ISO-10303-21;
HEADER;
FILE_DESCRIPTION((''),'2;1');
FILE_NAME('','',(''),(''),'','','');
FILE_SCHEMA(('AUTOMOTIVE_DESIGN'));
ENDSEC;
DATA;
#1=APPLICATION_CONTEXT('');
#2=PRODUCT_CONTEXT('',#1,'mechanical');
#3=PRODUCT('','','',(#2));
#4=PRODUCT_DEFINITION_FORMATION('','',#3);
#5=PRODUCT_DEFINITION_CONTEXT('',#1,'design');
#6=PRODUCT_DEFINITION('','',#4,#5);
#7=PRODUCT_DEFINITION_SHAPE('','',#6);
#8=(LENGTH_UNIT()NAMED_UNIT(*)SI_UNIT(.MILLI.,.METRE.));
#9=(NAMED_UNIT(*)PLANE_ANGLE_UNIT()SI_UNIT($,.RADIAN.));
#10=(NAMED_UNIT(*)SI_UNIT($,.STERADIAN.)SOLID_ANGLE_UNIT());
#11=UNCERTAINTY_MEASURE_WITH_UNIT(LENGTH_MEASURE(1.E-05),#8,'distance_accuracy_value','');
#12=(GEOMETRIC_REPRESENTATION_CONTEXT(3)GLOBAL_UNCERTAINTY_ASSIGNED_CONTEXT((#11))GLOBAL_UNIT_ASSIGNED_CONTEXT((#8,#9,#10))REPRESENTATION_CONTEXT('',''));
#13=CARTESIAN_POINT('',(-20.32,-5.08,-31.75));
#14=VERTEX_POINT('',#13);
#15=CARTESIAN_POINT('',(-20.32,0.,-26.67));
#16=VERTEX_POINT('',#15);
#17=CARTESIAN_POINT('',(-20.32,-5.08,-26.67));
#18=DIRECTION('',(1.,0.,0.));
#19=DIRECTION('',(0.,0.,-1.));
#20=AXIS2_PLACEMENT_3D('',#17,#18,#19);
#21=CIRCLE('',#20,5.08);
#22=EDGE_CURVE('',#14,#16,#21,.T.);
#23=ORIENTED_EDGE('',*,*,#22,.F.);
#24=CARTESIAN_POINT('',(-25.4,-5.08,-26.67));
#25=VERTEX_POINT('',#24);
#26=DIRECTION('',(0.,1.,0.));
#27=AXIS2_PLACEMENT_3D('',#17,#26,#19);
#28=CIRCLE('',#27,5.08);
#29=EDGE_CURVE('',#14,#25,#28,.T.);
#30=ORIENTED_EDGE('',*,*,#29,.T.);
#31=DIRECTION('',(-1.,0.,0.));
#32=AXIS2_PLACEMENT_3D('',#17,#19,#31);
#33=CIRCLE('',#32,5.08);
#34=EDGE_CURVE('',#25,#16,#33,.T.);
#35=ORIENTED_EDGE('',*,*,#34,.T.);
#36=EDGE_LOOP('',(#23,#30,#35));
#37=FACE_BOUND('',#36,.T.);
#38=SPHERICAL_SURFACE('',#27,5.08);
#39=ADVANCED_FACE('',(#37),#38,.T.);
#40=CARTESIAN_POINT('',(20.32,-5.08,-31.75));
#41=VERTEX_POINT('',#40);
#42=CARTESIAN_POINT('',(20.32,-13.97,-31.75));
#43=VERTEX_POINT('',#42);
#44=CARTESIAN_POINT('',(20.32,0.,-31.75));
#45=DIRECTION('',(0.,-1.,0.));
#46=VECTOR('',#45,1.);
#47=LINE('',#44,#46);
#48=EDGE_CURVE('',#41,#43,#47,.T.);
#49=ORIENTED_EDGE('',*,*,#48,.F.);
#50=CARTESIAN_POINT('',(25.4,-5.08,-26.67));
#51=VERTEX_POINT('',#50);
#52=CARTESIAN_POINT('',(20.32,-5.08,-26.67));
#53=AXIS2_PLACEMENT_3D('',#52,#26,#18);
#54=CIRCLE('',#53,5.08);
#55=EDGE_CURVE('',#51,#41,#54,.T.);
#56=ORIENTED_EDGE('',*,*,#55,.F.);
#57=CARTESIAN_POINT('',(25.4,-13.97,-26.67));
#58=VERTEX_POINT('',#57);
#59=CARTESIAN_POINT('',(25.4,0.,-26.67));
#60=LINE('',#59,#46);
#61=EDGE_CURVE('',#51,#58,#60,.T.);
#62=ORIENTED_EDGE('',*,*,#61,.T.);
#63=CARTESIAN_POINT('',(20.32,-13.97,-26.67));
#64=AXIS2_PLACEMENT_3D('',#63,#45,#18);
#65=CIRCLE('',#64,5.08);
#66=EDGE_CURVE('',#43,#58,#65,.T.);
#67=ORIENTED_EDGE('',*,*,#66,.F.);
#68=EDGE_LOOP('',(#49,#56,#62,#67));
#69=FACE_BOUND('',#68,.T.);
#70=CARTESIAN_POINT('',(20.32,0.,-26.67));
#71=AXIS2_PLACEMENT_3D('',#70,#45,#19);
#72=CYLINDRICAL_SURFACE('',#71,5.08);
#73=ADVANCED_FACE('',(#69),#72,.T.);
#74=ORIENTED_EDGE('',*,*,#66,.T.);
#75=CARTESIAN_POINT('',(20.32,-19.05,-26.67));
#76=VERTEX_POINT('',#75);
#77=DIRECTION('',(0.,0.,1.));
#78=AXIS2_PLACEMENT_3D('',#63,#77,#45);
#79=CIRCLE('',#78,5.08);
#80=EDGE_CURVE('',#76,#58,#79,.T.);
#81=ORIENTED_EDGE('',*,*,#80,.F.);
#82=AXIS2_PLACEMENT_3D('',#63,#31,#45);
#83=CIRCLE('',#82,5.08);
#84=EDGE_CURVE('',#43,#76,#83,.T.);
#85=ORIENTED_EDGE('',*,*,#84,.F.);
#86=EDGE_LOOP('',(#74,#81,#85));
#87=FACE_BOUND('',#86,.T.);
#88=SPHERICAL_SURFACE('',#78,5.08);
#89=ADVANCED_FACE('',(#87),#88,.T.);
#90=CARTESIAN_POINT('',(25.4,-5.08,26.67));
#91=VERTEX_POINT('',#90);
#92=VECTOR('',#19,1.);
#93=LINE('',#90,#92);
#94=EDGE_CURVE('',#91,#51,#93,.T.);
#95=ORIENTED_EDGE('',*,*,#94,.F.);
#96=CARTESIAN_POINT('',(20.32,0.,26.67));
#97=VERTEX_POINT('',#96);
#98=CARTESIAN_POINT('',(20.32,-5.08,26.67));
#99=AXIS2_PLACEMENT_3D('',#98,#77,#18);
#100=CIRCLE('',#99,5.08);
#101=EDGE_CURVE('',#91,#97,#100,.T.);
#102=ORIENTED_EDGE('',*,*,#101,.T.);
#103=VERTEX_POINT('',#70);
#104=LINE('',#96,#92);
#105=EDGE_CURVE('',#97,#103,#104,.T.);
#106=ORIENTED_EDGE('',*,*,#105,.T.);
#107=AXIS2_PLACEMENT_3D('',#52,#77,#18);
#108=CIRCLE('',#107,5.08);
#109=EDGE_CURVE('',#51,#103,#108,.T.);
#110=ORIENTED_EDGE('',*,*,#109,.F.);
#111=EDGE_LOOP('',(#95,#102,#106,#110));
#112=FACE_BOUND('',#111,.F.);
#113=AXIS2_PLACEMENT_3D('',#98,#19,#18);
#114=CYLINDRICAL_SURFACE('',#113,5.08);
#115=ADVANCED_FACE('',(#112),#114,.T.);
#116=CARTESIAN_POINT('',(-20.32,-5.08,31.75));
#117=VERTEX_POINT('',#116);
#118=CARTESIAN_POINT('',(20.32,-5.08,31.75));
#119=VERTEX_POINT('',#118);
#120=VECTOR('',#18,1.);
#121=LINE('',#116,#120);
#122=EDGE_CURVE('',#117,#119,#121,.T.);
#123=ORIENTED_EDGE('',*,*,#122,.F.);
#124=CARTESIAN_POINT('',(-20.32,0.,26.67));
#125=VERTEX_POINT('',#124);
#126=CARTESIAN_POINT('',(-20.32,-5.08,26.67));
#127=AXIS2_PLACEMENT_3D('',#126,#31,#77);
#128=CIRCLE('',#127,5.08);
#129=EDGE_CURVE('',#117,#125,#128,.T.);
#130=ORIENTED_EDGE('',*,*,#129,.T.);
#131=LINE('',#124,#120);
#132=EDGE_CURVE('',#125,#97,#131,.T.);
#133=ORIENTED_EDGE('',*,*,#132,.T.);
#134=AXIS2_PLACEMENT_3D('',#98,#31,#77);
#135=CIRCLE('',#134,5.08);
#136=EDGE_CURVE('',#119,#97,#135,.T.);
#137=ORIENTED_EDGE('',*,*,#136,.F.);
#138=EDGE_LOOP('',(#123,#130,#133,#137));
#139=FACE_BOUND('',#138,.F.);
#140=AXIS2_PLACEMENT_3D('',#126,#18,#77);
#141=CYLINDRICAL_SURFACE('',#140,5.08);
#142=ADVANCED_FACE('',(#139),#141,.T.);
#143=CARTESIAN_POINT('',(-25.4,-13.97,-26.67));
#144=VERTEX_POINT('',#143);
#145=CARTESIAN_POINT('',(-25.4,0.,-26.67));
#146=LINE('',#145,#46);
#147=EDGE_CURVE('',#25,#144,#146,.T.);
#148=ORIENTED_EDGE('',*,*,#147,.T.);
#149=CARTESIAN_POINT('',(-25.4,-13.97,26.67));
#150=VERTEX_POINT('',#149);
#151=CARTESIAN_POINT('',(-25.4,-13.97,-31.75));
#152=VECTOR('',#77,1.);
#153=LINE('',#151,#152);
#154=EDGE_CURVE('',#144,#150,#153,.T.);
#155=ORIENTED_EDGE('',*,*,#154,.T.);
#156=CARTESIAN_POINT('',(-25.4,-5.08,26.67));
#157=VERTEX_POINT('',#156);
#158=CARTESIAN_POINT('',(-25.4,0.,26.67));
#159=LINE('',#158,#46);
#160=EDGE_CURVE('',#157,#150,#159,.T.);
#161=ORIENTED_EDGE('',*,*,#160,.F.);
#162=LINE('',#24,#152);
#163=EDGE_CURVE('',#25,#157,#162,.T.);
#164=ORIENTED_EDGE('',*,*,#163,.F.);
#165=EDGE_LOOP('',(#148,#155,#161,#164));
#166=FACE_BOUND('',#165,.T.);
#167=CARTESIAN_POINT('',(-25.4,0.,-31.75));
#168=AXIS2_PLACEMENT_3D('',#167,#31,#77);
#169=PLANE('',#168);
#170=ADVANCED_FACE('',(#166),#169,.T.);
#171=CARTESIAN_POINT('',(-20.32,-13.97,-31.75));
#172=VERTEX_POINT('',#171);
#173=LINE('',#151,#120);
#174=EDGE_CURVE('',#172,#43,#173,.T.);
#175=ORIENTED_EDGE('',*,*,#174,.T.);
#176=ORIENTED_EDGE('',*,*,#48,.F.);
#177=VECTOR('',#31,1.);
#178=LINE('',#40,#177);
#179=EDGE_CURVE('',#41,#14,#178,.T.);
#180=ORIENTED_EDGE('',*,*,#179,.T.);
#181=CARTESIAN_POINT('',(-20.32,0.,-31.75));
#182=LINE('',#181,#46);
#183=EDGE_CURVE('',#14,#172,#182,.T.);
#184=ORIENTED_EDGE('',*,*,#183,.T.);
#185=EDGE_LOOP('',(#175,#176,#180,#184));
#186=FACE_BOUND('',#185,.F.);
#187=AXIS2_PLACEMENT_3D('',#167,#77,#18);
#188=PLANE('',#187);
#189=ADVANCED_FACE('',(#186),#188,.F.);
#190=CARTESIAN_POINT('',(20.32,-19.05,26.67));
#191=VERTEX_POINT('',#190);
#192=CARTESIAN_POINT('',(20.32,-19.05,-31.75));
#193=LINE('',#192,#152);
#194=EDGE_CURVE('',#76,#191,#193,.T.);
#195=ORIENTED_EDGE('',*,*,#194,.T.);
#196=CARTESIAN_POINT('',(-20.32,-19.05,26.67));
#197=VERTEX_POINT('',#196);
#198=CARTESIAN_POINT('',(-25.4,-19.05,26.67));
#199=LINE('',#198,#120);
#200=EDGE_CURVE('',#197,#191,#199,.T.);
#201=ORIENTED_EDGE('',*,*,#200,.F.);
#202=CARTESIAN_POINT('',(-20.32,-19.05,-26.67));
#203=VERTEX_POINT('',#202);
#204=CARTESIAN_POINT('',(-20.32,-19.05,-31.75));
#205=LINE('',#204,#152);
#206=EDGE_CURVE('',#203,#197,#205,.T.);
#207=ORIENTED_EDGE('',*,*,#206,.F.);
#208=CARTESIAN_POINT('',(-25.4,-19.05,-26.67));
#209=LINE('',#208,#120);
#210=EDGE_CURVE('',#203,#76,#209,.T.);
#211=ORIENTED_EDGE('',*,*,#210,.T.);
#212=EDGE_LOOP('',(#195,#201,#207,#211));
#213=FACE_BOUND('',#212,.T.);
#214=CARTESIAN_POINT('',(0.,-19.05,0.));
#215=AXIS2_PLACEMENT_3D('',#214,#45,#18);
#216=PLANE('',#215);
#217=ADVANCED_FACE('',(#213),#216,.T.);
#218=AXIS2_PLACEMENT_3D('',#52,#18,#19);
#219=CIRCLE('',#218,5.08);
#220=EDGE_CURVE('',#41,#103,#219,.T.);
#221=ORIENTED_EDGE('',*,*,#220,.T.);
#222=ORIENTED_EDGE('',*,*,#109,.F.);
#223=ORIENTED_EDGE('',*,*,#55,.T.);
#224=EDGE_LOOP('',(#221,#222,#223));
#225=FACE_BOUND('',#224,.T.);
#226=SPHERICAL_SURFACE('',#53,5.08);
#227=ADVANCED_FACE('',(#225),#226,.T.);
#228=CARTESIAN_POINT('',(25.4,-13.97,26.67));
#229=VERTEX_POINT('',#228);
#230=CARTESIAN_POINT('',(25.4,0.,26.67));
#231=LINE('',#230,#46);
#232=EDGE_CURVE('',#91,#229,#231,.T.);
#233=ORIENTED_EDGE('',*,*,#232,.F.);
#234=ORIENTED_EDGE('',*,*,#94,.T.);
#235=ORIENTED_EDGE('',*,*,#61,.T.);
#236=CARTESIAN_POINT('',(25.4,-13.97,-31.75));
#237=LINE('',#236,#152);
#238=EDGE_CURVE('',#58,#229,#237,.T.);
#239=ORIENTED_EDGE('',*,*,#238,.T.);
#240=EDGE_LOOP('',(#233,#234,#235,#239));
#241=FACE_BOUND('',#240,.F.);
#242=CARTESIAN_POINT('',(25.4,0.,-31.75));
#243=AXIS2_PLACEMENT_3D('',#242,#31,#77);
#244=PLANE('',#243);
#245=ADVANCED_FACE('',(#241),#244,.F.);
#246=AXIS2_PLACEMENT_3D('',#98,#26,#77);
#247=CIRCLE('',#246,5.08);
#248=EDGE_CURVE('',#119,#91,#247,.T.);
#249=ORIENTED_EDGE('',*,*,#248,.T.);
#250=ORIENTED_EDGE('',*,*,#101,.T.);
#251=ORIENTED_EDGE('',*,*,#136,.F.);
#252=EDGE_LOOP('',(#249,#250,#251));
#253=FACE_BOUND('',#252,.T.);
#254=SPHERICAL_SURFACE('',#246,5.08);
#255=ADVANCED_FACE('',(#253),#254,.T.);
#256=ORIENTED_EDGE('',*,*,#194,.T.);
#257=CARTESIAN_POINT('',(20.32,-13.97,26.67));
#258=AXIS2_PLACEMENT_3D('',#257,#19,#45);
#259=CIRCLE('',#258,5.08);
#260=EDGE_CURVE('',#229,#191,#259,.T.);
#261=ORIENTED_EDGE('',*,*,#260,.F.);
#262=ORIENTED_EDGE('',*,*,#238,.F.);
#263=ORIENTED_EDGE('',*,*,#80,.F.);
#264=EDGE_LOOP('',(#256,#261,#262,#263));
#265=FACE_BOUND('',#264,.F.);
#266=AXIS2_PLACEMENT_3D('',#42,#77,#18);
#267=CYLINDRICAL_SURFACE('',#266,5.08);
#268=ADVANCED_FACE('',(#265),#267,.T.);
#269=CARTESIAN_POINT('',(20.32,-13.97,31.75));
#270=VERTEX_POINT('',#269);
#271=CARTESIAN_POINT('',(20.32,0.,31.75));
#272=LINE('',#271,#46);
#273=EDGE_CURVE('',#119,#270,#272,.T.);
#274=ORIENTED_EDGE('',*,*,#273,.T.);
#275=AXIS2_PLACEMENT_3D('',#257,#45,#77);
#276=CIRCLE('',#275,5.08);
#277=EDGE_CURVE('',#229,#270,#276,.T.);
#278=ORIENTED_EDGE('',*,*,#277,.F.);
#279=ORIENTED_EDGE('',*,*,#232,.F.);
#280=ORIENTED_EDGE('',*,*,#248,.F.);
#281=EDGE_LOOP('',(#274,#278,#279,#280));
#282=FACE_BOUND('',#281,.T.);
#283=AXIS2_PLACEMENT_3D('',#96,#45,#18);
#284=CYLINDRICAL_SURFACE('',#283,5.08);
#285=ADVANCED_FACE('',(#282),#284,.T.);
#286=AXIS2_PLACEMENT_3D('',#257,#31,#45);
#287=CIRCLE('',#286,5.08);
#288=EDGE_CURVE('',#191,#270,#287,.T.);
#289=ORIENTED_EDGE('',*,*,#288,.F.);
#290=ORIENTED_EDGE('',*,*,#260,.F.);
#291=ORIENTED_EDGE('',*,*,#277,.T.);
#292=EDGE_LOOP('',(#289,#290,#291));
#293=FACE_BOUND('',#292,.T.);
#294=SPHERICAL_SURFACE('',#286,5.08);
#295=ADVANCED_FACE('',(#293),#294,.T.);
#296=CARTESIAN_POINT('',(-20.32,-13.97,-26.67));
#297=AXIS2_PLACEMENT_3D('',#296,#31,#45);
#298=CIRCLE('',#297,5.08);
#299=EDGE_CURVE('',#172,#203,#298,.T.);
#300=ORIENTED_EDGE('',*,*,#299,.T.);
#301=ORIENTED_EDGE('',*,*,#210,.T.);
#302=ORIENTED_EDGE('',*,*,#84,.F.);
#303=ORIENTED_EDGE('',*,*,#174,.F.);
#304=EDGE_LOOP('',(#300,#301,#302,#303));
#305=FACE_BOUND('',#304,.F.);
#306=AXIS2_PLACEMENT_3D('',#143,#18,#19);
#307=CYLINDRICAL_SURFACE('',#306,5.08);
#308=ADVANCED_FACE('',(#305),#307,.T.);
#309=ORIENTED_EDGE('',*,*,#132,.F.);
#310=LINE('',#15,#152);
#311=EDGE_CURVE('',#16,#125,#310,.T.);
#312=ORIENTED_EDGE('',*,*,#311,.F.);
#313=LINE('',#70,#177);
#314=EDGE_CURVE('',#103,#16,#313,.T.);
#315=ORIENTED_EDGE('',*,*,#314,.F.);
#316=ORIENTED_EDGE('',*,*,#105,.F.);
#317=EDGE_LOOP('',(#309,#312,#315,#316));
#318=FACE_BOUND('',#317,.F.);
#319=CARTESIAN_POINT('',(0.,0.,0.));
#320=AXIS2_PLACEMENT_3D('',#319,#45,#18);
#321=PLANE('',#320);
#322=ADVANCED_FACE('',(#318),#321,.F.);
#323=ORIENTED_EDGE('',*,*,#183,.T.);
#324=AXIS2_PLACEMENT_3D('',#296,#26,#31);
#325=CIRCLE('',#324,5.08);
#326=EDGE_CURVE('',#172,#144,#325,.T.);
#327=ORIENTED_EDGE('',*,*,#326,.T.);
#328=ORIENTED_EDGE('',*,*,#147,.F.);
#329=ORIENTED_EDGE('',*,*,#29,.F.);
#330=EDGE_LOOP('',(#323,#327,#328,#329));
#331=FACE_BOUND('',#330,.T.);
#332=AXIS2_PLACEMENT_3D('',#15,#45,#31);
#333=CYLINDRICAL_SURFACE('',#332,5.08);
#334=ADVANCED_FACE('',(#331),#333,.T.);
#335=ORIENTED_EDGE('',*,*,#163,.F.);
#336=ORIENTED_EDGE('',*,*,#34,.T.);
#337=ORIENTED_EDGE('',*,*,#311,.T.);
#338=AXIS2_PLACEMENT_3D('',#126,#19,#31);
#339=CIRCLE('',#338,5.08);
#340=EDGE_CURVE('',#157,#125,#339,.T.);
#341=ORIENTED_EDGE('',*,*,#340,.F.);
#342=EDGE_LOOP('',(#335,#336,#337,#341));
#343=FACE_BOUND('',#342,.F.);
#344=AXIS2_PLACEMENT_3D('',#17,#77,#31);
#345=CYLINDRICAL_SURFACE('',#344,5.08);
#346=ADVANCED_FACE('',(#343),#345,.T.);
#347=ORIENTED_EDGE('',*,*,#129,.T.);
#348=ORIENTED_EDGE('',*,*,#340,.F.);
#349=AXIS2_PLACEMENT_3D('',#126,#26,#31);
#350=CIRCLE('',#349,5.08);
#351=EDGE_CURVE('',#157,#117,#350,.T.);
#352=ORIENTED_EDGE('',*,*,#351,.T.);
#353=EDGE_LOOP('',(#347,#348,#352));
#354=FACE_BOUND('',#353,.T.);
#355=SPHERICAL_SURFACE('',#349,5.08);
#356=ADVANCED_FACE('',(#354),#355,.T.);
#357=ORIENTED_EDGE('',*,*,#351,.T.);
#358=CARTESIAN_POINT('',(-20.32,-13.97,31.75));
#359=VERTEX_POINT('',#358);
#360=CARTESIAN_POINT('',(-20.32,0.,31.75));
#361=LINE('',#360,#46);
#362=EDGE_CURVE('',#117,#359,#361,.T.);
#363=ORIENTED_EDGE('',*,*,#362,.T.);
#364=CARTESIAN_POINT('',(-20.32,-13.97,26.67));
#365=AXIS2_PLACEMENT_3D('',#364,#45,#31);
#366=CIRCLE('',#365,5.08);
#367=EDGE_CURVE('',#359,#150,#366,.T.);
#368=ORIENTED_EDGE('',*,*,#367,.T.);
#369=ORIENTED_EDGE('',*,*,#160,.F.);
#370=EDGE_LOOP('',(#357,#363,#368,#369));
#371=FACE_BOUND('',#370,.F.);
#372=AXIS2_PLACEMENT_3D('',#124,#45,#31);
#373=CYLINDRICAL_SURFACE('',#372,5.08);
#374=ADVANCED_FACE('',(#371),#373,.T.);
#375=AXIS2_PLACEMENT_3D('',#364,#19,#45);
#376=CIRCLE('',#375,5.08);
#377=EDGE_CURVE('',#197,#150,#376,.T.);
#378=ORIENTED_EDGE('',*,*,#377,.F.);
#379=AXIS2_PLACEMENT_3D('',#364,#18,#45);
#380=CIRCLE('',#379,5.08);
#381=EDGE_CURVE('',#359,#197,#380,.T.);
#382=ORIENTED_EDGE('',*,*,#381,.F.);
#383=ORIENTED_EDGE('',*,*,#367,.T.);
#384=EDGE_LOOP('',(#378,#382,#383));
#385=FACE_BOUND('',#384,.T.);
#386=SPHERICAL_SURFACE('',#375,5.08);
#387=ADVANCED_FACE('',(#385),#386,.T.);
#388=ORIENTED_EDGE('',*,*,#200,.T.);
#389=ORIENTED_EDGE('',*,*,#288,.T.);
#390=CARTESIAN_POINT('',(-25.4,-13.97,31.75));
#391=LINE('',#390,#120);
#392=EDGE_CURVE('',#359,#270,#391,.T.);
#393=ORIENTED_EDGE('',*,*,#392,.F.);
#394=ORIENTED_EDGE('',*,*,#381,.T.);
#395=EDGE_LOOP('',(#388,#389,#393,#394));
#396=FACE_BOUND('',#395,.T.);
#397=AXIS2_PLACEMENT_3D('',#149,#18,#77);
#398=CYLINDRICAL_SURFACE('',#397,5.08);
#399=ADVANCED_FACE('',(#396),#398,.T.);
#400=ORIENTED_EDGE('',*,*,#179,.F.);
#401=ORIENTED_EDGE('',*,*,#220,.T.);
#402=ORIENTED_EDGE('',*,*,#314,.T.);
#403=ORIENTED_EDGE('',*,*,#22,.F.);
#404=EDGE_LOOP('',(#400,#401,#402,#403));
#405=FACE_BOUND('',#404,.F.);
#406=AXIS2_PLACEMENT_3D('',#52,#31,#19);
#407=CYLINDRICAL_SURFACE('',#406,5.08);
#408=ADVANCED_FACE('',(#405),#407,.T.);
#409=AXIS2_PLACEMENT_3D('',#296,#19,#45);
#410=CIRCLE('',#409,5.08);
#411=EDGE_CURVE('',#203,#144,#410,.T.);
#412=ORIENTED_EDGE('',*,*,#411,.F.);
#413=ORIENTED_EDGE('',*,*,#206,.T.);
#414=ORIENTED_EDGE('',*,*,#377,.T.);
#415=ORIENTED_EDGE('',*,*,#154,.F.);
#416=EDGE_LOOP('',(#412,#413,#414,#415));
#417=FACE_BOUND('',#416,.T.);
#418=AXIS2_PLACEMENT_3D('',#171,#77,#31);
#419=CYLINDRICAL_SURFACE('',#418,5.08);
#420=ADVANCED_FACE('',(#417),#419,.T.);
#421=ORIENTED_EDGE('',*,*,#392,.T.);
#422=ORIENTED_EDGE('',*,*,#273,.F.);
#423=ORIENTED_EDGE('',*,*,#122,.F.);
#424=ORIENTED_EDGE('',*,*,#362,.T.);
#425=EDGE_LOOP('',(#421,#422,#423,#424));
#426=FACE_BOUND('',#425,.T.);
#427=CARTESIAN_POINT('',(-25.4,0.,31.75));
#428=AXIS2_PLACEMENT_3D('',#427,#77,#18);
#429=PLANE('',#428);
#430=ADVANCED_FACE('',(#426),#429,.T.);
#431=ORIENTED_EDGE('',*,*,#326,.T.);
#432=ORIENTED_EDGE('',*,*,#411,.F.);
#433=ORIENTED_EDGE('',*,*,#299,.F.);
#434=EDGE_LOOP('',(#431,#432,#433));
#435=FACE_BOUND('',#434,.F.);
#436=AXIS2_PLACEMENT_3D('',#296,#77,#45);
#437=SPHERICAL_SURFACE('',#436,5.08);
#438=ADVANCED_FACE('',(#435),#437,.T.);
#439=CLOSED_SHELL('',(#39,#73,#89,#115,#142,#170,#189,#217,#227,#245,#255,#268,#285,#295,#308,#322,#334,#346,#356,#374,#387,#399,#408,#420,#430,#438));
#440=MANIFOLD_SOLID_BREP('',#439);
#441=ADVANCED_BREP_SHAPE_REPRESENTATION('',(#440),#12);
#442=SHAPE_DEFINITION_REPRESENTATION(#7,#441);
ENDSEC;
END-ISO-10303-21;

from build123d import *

# Parameters (mm, degrees)
F0_W     = 50.8
F0_H     = 63.5
F1_DEPTH = 19.05
F2_R     = 5.08
F3_R     = 5.08


with BuildPart() as f1:
    # F0 (on Front) → F1 (new body)
    with BuildSketch(Plane.XZ):
        Rectangle(F0_W, F0_H)
    extrude(amount=F1_DEPTH)

    # F2
    f2_edges = [f1.edges().sort_by_distance(p)[0] for p in [
        (-25.4, -19.05, 0),
        (0, -19.05, 31.75),
        (25.4, -19.05, 0),
        (0, -19.05, -31.75),
        (25.4, -9.525, -31.75),
        (-25.4, -9.525, -31.75),
        (25.4, -9.525, 31.75),
        (-25.4, -9.525, 31.75),
    ]]
    fillet(f2_edges, radius=F2_R)

    # F3
    f3_edges = [f1.edges().sort_by_distance(p)[0] for p in [
        (-25.4, 0, 0),
    ]]
    fillet(f3_edges, radius=F3_R)


solid = f1.part
